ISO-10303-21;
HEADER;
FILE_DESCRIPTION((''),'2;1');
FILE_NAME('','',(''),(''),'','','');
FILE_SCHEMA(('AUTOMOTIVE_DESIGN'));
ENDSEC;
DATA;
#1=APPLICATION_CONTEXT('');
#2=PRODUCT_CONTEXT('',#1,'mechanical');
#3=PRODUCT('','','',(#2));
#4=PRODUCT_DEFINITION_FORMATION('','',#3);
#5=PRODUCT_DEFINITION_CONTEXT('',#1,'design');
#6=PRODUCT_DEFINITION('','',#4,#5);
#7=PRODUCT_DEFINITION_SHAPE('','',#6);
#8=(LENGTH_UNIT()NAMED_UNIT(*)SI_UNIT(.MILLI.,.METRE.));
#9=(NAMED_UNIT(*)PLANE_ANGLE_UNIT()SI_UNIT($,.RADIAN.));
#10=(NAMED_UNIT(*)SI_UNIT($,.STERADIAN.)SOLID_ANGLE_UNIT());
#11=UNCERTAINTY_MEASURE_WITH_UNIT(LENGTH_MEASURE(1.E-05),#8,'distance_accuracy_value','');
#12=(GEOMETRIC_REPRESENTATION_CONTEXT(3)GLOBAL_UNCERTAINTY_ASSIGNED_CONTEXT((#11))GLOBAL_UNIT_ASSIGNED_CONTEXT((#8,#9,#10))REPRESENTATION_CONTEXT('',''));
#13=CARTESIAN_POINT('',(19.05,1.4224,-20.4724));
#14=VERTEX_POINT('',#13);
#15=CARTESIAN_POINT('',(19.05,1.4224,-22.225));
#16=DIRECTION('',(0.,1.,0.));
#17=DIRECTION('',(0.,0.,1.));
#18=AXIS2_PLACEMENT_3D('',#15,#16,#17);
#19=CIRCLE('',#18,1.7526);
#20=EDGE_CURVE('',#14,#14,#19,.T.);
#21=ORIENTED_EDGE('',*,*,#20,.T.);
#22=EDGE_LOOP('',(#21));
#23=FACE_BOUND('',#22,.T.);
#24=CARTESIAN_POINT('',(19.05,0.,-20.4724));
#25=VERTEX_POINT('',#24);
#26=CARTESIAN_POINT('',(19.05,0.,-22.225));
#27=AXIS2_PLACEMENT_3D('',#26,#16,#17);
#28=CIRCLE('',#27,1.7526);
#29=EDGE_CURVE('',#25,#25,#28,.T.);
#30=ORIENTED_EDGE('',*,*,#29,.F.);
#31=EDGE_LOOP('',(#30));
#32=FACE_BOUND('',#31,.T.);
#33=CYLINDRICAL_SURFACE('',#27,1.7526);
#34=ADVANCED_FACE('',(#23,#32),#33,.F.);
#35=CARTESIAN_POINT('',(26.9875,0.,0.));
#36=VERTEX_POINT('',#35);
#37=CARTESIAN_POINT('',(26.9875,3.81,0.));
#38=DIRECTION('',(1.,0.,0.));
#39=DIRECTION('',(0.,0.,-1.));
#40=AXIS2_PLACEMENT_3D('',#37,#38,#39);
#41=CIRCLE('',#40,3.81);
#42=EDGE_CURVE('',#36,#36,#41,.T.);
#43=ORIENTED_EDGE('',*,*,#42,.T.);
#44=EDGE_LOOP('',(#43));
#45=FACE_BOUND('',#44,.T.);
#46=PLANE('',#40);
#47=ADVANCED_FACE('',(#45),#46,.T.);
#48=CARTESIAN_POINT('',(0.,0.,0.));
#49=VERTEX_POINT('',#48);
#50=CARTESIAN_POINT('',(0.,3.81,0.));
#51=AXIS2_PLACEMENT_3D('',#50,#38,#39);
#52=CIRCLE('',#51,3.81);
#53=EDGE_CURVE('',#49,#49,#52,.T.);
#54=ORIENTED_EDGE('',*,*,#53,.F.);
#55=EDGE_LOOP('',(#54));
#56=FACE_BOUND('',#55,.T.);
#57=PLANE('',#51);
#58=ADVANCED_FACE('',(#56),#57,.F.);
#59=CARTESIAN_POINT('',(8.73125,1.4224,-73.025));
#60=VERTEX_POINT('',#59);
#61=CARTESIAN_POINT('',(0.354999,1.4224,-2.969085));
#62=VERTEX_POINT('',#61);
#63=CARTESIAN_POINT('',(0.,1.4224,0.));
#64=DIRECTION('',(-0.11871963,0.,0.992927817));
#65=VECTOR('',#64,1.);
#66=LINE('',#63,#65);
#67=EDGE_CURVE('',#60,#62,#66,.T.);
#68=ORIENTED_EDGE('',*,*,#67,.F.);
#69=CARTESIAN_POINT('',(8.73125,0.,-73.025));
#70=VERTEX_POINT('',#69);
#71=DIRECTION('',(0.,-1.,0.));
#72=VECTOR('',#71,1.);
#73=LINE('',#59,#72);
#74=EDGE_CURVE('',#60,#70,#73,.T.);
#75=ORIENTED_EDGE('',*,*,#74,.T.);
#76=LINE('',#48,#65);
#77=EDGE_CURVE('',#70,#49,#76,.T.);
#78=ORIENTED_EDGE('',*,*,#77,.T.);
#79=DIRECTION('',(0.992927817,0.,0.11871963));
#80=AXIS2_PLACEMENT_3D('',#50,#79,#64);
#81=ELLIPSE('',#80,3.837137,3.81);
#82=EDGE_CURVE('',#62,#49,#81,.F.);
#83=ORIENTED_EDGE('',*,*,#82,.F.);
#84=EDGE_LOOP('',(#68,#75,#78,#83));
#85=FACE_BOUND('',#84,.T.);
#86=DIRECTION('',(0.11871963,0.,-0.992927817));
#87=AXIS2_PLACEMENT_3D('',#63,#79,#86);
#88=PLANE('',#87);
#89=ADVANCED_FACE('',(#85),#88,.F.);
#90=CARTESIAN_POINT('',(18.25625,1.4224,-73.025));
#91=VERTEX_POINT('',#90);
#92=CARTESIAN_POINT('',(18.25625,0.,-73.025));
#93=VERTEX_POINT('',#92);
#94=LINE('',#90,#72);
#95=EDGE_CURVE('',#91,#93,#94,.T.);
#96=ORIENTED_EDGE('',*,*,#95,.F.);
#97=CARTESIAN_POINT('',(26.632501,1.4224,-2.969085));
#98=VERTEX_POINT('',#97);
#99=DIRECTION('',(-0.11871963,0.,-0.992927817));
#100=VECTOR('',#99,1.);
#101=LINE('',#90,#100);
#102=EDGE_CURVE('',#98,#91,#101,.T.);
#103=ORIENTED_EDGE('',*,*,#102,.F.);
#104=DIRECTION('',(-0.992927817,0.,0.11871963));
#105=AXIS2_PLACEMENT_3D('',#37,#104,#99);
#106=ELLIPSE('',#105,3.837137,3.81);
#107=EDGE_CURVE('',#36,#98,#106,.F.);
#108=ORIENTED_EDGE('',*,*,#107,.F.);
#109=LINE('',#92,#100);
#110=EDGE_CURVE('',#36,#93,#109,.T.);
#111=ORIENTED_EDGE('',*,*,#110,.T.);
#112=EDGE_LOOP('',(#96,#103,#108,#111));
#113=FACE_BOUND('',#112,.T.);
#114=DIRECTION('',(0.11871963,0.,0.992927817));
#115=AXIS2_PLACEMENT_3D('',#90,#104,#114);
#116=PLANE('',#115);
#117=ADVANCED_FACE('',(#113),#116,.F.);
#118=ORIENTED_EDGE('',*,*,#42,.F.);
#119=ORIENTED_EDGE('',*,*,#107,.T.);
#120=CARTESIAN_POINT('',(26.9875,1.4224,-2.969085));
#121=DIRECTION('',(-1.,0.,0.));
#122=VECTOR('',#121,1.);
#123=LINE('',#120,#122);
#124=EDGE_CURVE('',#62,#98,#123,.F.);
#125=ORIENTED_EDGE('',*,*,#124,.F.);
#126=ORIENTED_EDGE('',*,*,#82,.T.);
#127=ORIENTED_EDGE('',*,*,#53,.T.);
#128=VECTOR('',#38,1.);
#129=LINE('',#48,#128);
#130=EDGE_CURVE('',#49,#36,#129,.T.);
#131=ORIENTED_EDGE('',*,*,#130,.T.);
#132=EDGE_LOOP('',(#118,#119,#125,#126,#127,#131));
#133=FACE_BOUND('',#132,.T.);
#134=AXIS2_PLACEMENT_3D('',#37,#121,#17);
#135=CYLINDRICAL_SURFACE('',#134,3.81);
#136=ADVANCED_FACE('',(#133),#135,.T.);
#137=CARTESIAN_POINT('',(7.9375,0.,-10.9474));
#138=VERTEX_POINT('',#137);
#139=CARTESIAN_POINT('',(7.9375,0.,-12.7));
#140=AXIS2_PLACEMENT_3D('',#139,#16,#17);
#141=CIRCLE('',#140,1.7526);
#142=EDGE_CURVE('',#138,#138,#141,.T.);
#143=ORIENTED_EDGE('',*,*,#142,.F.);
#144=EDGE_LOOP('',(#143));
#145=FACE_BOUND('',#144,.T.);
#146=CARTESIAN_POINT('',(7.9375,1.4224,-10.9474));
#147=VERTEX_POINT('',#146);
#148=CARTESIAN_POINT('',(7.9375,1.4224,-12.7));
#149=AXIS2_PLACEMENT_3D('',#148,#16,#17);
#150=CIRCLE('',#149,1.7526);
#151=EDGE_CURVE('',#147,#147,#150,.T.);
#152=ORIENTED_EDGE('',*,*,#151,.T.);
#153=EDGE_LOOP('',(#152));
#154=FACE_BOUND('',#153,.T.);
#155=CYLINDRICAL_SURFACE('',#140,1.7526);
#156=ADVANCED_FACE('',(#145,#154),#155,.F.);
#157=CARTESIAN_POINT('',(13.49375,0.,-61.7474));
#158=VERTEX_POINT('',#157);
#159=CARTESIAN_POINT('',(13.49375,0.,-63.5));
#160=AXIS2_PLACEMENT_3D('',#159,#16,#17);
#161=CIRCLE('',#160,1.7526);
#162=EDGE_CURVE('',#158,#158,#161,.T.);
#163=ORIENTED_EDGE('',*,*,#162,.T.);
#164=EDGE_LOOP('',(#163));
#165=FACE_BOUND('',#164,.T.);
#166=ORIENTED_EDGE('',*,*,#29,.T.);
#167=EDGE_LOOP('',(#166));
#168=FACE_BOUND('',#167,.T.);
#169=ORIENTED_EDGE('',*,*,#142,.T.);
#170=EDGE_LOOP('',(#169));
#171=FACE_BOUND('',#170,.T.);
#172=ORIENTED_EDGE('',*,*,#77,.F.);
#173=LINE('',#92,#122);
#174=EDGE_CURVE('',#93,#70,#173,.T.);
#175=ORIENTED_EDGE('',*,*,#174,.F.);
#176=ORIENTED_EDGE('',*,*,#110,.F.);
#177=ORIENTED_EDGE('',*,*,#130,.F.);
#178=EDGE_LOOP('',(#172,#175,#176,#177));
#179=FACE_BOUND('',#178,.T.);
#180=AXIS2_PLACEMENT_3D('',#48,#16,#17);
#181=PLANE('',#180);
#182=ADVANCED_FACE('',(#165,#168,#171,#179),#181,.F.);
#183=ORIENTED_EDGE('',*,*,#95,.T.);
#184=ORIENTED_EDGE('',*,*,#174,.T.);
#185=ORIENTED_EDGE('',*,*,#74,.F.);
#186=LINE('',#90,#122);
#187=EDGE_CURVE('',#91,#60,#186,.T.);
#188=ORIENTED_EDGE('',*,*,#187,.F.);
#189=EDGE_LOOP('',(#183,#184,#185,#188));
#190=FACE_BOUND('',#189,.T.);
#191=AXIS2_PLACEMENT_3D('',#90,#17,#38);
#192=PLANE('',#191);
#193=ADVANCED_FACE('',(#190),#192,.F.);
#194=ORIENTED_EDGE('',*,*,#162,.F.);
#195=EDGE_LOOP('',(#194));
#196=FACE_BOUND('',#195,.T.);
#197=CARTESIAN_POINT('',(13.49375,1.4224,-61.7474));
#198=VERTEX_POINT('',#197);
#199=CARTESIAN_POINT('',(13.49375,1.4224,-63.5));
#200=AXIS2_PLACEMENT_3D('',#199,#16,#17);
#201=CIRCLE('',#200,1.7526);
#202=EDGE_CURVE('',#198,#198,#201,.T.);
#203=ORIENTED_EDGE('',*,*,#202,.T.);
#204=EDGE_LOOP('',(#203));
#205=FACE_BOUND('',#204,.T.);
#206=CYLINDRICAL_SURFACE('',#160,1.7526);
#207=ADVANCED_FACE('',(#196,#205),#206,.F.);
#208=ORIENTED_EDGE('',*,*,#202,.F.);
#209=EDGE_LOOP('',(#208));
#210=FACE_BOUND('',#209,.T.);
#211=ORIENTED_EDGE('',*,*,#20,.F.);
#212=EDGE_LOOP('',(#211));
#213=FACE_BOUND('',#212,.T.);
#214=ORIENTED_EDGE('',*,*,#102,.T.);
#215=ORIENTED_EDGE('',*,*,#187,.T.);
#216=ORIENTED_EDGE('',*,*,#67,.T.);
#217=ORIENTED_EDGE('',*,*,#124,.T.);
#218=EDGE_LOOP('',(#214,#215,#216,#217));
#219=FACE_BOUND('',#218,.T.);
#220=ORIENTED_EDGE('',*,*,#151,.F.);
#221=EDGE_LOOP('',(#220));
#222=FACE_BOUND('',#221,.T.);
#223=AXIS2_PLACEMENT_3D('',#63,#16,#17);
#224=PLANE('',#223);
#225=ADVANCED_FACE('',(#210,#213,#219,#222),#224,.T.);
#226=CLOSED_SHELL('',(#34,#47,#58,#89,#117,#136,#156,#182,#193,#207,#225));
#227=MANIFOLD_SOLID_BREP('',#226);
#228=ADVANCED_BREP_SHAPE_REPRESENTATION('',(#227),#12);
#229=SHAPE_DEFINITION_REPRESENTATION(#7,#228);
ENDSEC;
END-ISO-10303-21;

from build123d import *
from build123d.topology import SkipClean

# Parameters (mm, degrees)
BOSS_EXTRUDE1_DEPTH = 1.4224
SKETCH2_R           = 3.81
BOSS_EXTRUDE2_DEPTH = 26.9875
SKETCH3_R           = 1.7526
CUT_EXTRUDE1_DEPTH  = 1.4224


with BuildPart() as part:
    # Sketch1 → Boss-Extrude1 (new body)
    with BuildSketch(Plane(origin=(0, 0, 0), x_dir=(1, 0, 0), z_dir=(0, 1, 0))):
        Polygon((0, 0), (26.9875, 0), (18.25625, 73.025), (8.73125, 73.025), align=None)
    extrude(amount=BOSS_EXTRUDE1_DEPTH)

    # Sketch2 → Boss-Extrude2 (add)
    with SkipClean():  # the faces are left unmerged after this step: merging them gives an invalid solid
        with BuildSketch(Plane(origin=(0, 0, 0), x_dir=(0, 0, -1), z_dir=(1, 0, 0))):
            with Locations((0, 3.81)):
                Circle(SKETCH2_R)
        extrude(amount=BOSS_EXTRUDE2_DEPTH)

    # Sketch3 → Cut-Extrude1 (cut)
    with SkipClean():  # the faces are left unmerged after this step: merging them gives an invalid solid
        with BuildSketch(Plane(origin=(0, 1.4224, 0), x_dir=(1, 0, 0), z_dir=(0, 1, 0))):
            with Locations(Location((13.49375, 63.5, 0), (0, 0, 270))):
                Circle(SKETCH3_R)
            with Locations(Location((7.9375, 12.7, 0), (0, 0, 270))):
                Circle(SKETCH3_R)
            with Locations(Location((19.05, 22.225, 0), (0, 0, 270))):
                Circle(SKETCH3_R)
        extrude(amount=-CUT_EXTRUDE1_DEPTH, mode=Mode.SUBTRACT)


solid = part.part
